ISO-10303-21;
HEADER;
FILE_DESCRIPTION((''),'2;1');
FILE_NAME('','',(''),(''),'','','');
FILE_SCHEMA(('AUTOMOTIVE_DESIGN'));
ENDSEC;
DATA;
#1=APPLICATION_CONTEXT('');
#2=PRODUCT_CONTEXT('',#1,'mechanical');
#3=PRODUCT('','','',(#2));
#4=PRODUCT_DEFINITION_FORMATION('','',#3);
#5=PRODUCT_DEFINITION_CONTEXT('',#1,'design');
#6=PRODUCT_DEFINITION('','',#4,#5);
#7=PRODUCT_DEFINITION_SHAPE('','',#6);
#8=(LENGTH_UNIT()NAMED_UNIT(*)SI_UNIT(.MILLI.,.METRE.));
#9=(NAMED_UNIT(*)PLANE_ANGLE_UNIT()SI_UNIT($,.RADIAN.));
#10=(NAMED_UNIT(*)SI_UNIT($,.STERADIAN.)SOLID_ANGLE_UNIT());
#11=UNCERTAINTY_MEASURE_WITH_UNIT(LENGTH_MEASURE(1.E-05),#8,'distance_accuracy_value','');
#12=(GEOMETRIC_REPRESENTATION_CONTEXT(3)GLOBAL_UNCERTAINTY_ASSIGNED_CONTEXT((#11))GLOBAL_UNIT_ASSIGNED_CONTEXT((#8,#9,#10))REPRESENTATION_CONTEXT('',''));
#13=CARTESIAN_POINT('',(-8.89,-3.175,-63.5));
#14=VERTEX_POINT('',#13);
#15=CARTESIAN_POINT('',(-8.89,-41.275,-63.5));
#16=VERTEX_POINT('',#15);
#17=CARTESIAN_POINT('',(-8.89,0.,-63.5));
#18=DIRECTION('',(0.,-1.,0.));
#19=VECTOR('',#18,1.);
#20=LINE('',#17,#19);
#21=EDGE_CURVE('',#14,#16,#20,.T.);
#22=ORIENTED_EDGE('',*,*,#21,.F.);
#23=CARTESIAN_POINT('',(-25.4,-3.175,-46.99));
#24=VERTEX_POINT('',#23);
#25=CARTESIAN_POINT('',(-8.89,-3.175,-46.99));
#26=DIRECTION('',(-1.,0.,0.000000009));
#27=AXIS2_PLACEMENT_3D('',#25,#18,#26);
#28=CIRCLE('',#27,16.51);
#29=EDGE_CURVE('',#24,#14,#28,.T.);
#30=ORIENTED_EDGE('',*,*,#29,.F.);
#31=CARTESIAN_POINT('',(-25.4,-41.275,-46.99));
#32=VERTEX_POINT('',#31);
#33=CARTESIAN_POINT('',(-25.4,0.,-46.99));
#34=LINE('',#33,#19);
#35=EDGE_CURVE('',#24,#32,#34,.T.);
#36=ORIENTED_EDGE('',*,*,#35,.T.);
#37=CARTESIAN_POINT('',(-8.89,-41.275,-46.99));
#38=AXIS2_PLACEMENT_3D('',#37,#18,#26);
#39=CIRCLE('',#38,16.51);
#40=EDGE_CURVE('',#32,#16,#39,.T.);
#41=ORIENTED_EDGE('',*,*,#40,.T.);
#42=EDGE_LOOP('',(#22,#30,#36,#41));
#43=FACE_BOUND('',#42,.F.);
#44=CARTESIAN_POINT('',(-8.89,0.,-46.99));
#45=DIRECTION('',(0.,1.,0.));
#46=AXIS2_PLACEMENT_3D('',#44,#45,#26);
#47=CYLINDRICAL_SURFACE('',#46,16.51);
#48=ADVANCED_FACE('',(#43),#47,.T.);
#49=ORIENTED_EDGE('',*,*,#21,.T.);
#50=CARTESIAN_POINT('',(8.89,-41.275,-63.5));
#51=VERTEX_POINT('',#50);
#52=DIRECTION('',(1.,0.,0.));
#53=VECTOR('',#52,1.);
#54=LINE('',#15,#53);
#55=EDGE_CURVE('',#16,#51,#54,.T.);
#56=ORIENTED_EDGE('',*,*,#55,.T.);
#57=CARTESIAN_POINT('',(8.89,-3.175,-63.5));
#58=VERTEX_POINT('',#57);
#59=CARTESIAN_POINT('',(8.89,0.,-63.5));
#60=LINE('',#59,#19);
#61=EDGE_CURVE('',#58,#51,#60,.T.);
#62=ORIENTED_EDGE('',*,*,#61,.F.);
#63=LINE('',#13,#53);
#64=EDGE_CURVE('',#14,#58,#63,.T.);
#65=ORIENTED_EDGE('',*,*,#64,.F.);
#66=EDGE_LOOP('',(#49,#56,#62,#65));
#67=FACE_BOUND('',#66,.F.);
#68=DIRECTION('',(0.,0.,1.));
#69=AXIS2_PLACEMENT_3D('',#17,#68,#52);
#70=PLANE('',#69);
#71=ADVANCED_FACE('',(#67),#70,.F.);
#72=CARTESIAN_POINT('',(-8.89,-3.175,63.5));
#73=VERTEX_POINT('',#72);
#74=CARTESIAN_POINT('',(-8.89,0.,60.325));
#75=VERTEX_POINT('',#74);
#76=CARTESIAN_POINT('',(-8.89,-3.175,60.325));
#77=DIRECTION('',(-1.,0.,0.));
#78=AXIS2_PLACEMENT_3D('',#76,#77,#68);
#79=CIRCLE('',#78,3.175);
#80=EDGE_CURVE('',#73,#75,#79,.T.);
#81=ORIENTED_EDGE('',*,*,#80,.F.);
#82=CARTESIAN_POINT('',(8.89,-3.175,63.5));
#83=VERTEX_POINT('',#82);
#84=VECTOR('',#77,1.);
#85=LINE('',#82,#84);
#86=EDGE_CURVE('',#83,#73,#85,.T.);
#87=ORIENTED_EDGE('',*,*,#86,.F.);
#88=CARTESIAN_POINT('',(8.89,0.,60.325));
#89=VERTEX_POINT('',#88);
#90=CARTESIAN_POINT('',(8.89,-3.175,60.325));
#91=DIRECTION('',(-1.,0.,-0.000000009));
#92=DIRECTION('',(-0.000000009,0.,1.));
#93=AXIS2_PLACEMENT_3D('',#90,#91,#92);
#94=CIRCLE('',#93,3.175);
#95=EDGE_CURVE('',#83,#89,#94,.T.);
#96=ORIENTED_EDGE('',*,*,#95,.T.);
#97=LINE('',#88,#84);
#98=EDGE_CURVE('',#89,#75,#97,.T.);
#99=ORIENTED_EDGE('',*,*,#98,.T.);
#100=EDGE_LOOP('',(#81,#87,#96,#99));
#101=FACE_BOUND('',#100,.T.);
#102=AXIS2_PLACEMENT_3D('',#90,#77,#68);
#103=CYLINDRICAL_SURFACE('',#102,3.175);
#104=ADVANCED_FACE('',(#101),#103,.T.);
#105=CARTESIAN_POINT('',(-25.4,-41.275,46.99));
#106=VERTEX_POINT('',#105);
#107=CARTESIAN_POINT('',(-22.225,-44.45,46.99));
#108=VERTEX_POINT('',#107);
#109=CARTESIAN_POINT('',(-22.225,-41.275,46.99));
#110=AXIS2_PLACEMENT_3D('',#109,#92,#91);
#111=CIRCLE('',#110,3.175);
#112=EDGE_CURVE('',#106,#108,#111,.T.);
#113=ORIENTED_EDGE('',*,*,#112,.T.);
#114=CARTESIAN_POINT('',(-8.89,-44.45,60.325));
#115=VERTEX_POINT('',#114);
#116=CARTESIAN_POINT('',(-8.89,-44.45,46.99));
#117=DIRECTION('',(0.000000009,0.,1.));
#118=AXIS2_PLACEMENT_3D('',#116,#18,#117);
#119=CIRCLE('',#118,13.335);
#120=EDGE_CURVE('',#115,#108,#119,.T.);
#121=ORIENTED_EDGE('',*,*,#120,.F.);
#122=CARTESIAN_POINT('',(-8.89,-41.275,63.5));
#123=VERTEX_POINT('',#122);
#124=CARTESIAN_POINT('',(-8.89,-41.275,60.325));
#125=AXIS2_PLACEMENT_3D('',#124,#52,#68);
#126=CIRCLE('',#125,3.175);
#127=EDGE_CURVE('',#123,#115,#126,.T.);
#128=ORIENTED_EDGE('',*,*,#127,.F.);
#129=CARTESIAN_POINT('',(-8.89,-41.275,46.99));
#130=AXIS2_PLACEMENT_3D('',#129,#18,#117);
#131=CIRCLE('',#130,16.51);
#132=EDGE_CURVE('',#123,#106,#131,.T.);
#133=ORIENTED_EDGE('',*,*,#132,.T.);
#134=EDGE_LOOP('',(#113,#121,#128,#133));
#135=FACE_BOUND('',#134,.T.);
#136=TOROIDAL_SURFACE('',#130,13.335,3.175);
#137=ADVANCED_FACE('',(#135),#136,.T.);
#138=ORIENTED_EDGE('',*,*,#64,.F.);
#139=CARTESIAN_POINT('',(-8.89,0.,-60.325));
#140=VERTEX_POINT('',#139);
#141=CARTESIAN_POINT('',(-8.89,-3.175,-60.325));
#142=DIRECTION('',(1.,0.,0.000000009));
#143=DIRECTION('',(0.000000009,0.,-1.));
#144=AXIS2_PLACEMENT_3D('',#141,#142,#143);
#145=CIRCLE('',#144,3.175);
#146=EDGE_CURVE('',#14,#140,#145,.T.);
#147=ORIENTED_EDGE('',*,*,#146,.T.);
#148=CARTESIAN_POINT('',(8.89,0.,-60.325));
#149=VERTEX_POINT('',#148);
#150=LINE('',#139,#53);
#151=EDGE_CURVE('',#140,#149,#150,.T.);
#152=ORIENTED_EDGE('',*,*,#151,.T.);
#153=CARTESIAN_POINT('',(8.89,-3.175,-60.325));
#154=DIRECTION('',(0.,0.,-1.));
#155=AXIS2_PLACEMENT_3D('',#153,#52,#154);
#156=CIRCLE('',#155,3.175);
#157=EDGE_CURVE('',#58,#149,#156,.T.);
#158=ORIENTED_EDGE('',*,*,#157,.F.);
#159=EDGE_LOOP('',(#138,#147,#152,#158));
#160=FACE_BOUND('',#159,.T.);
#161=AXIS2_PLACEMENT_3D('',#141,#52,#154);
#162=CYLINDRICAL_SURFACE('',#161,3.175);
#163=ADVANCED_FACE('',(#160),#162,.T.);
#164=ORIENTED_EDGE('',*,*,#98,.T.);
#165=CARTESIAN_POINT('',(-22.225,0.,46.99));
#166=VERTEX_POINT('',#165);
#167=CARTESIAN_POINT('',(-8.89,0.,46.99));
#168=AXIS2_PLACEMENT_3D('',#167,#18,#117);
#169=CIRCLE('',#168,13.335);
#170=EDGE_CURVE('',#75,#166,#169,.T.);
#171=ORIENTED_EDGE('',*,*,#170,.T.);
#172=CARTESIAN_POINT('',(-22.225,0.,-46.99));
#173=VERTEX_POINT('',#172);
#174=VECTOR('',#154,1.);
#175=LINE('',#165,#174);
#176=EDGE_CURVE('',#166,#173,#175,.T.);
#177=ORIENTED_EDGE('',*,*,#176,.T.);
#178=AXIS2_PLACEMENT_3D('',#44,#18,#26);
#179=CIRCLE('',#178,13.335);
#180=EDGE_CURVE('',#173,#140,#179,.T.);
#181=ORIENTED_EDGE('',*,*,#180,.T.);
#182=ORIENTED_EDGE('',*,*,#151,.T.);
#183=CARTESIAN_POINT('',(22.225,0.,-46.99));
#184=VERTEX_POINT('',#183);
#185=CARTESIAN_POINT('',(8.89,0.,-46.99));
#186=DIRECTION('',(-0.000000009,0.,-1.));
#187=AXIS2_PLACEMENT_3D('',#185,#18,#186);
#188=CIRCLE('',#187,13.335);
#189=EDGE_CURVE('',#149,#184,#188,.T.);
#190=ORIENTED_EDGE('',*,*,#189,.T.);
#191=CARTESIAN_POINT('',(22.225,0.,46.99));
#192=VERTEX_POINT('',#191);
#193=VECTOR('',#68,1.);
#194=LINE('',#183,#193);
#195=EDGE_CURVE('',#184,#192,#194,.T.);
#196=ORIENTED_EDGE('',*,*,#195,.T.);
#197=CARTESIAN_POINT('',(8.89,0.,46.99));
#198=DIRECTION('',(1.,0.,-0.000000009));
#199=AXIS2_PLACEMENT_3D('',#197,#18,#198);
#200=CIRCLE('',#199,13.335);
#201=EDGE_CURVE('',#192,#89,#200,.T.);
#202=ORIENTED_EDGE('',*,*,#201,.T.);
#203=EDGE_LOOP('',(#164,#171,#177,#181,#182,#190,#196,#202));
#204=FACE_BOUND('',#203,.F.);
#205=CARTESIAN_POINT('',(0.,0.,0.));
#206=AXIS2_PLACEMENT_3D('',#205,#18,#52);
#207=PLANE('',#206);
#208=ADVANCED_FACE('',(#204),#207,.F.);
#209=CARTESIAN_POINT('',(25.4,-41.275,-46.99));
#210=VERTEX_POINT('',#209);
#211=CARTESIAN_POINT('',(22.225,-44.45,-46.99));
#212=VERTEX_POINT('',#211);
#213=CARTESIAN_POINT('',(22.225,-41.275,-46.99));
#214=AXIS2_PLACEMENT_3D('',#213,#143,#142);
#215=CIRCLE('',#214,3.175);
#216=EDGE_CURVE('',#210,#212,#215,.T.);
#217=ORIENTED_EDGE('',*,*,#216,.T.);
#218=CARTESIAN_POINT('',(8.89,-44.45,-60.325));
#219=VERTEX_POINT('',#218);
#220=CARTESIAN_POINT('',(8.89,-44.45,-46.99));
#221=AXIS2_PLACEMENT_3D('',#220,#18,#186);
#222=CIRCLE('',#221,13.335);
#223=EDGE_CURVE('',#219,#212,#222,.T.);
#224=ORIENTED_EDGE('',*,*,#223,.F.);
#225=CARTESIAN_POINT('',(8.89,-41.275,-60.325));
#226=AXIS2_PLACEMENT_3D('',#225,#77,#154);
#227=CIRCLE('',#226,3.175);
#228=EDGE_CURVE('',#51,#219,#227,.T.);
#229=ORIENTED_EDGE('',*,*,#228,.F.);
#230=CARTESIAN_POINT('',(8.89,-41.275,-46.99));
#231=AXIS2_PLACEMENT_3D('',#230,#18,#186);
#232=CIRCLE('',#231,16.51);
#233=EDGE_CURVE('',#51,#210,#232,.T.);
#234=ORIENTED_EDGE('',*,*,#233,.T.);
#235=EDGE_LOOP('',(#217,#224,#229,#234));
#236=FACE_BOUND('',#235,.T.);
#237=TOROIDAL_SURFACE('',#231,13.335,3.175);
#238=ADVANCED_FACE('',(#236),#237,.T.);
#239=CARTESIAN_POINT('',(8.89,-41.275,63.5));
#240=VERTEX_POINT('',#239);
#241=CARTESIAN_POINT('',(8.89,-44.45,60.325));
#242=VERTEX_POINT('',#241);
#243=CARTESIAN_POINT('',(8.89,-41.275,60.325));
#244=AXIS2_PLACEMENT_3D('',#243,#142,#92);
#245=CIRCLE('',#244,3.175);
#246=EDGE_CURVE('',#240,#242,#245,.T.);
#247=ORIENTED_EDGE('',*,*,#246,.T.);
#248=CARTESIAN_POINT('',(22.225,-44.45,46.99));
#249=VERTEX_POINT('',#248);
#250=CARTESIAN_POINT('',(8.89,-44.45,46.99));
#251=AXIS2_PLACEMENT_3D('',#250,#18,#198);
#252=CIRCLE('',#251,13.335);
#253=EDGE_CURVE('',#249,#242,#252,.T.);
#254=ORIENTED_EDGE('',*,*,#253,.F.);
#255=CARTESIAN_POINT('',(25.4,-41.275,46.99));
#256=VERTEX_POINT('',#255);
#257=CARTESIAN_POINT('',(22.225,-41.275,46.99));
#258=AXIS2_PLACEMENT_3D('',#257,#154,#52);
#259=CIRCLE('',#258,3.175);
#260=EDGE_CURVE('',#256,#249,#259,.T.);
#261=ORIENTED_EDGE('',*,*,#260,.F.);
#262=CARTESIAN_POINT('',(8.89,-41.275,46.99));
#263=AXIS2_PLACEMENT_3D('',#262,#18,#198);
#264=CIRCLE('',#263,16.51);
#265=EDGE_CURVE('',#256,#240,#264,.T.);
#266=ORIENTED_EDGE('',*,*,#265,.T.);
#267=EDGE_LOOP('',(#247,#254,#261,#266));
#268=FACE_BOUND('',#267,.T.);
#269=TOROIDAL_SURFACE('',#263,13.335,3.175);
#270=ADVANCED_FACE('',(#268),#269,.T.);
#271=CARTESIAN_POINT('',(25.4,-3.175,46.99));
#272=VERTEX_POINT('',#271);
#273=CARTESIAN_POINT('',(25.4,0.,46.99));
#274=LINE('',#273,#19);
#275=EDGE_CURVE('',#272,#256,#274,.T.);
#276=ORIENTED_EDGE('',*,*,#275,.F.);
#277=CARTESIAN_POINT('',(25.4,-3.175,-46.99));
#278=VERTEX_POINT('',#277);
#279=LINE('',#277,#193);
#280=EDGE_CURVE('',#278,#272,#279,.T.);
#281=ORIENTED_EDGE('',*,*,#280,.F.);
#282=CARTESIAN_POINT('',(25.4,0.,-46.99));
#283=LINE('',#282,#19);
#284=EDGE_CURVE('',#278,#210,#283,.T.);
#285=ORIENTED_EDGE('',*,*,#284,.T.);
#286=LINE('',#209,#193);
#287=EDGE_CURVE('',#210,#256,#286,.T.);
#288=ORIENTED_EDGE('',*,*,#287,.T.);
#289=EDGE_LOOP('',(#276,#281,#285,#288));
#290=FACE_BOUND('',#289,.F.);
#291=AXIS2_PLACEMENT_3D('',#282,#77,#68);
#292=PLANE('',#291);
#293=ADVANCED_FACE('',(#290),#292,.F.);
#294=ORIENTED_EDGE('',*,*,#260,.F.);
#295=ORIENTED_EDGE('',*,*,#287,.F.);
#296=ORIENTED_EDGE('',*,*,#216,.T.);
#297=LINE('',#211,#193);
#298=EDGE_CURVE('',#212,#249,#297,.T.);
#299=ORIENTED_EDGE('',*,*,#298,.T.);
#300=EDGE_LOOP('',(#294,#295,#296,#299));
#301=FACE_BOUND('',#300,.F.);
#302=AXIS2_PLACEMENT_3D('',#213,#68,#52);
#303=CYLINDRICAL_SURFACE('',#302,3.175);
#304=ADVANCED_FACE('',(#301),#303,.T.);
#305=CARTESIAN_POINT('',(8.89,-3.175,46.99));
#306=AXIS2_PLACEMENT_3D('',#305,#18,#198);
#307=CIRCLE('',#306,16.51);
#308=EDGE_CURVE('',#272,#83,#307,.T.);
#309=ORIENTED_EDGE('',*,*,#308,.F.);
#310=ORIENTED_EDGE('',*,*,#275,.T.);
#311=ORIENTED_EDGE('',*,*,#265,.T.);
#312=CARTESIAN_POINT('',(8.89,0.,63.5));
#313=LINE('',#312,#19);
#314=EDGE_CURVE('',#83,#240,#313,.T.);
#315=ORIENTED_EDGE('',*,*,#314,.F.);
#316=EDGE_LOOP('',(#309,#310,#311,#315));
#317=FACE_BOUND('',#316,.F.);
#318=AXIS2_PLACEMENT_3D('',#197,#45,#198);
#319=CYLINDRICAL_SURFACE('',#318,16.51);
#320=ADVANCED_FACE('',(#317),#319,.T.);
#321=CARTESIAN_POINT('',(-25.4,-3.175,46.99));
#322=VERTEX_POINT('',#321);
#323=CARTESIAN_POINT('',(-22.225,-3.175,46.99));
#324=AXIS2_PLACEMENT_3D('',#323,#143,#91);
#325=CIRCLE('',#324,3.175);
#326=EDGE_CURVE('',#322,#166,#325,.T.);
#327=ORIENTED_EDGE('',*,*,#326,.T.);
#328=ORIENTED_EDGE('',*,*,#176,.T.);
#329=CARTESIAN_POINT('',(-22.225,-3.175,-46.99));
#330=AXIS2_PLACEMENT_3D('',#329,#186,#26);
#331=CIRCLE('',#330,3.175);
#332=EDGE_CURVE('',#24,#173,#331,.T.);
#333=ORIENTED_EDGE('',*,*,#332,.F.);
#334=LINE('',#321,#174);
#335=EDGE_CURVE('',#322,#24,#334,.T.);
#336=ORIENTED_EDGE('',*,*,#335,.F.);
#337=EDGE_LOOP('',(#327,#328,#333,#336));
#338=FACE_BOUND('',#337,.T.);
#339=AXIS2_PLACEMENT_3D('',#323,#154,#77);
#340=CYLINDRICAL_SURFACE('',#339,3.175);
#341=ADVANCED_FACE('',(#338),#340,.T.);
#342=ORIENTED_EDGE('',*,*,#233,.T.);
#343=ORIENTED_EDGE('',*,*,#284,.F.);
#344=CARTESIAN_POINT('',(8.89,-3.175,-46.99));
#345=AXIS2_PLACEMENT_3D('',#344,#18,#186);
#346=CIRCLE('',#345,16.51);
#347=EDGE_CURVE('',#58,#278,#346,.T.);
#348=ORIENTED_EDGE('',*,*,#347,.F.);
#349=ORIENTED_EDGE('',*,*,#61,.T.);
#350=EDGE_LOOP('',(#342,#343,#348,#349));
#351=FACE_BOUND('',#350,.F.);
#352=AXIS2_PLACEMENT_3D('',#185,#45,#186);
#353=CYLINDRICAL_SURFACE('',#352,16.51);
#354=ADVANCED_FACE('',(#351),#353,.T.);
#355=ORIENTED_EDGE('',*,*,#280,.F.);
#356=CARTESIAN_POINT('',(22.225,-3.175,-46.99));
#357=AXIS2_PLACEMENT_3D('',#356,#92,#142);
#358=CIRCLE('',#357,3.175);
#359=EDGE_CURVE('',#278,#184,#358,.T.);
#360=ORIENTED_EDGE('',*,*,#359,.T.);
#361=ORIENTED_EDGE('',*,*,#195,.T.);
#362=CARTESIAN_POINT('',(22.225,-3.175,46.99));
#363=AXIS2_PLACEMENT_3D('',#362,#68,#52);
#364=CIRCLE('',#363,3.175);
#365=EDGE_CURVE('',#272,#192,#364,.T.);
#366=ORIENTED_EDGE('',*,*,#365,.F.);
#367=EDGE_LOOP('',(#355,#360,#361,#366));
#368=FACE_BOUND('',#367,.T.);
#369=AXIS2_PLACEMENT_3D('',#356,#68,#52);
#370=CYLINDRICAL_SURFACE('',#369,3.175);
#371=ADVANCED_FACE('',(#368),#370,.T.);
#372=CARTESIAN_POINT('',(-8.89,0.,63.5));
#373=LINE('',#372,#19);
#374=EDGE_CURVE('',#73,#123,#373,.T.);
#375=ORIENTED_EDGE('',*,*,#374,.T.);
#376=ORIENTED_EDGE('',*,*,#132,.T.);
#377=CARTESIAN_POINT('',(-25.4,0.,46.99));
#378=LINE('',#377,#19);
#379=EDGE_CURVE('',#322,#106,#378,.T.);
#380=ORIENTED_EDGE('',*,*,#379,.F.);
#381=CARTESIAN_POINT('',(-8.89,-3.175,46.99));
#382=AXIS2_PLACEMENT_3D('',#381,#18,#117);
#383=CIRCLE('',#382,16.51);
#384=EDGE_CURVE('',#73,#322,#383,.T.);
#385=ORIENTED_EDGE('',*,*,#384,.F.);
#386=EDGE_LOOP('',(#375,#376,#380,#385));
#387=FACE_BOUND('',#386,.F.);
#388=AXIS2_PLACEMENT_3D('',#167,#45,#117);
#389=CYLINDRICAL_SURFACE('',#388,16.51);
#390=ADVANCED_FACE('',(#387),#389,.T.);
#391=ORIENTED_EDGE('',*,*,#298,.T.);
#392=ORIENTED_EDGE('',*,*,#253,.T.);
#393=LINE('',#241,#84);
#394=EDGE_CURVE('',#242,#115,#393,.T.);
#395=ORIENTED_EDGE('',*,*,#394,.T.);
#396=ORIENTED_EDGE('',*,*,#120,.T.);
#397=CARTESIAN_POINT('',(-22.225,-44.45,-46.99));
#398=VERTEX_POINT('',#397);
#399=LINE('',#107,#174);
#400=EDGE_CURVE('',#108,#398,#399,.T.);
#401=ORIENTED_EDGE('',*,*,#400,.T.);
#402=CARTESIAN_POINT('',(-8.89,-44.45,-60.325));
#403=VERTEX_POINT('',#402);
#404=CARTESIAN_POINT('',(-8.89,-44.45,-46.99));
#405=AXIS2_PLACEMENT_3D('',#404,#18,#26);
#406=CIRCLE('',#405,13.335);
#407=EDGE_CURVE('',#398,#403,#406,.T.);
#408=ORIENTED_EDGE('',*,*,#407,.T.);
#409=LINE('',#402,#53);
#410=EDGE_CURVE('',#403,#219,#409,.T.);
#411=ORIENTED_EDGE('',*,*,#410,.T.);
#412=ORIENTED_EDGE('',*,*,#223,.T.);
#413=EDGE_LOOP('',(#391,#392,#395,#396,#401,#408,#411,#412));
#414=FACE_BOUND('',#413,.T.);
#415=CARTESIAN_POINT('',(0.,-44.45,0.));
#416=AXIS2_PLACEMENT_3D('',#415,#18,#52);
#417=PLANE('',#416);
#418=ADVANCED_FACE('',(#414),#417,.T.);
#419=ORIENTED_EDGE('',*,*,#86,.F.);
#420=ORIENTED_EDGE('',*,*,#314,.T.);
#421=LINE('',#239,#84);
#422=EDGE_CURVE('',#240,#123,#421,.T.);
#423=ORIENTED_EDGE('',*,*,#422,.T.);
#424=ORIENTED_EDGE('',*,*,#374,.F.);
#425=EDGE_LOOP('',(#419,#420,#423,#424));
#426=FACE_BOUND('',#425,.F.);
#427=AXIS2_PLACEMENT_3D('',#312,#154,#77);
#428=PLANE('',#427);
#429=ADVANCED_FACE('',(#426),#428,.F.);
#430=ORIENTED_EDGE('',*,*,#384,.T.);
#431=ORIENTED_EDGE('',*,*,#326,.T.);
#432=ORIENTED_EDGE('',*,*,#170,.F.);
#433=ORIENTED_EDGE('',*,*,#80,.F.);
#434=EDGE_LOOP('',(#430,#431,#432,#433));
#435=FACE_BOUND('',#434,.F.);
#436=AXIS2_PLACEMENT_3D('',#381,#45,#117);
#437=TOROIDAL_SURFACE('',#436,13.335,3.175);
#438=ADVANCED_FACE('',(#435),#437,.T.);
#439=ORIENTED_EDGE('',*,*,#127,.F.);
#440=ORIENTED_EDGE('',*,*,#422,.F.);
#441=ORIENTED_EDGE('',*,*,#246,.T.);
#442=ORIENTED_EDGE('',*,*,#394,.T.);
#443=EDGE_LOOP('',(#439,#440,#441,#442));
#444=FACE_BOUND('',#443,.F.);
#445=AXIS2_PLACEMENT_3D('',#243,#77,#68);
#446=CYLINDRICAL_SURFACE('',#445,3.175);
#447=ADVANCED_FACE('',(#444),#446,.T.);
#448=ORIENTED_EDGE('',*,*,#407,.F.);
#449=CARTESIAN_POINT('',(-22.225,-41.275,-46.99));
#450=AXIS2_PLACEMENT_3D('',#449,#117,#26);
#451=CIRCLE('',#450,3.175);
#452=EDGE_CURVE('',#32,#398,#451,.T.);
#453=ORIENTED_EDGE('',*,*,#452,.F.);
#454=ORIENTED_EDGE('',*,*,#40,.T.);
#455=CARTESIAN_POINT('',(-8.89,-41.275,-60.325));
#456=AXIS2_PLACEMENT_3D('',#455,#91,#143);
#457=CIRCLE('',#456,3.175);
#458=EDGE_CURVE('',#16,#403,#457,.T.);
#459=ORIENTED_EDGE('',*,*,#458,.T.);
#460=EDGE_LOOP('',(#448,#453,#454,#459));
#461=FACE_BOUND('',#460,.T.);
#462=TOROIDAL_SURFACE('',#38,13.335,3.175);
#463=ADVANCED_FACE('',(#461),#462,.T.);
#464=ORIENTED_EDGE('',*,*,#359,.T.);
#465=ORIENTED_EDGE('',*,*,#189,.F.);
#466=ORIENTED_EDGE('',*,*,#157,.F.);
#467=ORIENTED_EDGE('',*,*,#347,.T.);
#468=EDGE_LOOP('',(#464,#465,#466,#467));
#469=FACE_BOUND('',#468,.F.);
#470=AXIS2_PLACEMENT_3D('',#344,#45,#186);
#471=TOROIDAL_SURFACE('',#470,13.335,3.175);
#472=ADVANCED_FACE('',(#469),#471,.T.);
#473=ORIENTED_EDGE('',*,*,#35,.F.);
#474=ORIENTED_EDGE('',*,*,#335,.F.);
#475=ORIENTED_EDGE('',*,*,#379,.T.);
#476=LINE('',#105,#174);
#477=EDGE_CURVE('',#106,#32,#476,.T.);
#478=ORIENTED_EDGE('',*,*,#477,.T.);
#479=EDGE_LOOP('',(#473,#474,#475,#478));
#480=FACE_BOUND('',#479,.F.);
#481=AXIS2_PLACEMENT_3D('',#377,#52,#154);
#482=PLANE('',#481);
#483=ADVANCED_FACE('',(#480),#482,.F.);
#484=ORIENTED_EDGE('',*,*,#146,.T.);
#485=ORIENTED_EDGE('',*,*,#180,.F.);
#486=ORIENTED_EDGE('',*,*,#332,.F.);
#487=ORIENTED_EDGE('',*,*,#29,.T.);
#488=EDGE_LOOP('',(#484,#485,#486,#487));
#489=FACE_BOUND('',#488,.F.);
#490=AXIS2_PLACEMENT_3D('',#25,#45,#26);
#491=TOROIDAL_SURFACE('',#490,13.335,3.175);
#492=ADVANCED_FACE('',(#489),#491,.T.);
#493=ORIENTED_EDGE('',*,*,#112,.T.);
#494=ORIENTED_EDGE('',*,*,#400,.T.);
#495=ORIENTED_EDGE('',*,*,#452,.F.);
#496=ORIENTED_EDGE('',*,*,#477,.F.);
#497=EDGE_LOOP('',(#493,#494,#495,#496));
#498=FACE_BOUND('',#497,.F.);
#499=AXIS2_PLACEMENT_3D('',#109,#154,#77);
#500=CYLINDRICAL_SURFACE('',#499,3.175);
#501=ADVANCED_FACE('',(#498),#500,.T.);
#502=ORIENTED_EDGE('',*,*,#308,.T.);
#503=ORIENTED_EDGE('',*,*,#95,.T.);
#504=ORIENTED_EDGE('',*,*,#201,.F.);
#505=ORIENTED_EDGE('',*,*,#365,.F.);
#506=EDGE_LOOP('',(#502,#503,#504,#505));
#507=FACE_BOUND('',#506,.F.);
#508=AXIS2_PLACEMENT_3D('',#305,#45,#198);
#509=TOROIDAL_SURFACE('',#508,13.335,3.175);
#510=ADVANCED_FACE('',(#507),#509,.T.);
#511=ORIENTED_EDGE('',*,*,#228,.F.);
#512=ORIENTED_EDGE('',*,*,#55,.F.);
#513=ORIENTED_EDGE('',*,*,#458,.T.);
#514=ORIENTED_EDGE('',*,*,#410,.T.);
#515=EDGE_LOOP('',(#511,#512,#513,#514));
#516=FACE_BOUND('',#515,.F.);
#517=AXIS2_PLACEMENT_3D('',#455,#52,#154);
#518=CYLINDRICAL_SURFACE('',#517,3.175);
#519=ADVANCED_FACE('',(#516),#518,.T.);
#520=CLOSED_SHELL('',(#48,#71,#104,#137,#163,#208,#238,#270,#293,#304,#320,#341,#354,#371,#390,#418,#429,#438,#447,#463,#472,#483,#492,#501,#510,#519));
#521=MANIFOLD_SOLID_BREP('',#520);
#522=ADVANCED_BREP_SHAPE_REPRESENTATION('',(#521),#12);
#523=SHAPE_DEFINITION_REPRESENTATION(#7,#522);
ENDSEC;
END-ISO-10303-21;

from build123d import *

# Parameters (mm, degrees)
F1_DEPTH = 44.45
F2_R     = 3.175


with BuildPart() as f1:
    # F0 (on Front) → F1 (new body)
    with BuildSketch(Plane.XZ):
        with BuildLine():
            Line((8.89, 63.5), (-8.89, 63.5))
            ThreePointArc((-8.89, 63.5), (-20.564333, 58.664333), (-25.4, 46.99))
            Line((-25.4, 46.99), (-25.4, -46.99))
            ThreePointArc((-25.4, -46.99), (-20.564333, -58.664333), (-8.89, -63.5))
            Line((-8.89, -63.5), (8.89, -63.5))
            ThreePointArc((8.89, -63.5), (20.564333, -58.664333), (25.4, -46.99))
            Line((25.4, -46.99), (25.4, 46.99))
            ThreePointArc((25.4, 46.99), (20.564333, 58.664333), (8.89, 63.5))
        make_face()
    extrude(amount=F1_DEPTH)

    # F2
    f2_edges = [f1.edges().sort_by_distance(p)[0] for p in [
        (-25.4, -22.225, -46.99),
        (-8.89, -22.225, -63.5),
        (-20.564333, 0, -58.664333),
        (-20.564333, -44.45, -58.664333),
        (8.89, -22.225, -63.5),
        (25.4, -22.225, -46.99),
        (20.564333, 0, -58.664333),
        (20.564333, -44.45, -58.664333),
    ]]
    fillet(f2_edges, radius=F2_R)


solid = f1.part
